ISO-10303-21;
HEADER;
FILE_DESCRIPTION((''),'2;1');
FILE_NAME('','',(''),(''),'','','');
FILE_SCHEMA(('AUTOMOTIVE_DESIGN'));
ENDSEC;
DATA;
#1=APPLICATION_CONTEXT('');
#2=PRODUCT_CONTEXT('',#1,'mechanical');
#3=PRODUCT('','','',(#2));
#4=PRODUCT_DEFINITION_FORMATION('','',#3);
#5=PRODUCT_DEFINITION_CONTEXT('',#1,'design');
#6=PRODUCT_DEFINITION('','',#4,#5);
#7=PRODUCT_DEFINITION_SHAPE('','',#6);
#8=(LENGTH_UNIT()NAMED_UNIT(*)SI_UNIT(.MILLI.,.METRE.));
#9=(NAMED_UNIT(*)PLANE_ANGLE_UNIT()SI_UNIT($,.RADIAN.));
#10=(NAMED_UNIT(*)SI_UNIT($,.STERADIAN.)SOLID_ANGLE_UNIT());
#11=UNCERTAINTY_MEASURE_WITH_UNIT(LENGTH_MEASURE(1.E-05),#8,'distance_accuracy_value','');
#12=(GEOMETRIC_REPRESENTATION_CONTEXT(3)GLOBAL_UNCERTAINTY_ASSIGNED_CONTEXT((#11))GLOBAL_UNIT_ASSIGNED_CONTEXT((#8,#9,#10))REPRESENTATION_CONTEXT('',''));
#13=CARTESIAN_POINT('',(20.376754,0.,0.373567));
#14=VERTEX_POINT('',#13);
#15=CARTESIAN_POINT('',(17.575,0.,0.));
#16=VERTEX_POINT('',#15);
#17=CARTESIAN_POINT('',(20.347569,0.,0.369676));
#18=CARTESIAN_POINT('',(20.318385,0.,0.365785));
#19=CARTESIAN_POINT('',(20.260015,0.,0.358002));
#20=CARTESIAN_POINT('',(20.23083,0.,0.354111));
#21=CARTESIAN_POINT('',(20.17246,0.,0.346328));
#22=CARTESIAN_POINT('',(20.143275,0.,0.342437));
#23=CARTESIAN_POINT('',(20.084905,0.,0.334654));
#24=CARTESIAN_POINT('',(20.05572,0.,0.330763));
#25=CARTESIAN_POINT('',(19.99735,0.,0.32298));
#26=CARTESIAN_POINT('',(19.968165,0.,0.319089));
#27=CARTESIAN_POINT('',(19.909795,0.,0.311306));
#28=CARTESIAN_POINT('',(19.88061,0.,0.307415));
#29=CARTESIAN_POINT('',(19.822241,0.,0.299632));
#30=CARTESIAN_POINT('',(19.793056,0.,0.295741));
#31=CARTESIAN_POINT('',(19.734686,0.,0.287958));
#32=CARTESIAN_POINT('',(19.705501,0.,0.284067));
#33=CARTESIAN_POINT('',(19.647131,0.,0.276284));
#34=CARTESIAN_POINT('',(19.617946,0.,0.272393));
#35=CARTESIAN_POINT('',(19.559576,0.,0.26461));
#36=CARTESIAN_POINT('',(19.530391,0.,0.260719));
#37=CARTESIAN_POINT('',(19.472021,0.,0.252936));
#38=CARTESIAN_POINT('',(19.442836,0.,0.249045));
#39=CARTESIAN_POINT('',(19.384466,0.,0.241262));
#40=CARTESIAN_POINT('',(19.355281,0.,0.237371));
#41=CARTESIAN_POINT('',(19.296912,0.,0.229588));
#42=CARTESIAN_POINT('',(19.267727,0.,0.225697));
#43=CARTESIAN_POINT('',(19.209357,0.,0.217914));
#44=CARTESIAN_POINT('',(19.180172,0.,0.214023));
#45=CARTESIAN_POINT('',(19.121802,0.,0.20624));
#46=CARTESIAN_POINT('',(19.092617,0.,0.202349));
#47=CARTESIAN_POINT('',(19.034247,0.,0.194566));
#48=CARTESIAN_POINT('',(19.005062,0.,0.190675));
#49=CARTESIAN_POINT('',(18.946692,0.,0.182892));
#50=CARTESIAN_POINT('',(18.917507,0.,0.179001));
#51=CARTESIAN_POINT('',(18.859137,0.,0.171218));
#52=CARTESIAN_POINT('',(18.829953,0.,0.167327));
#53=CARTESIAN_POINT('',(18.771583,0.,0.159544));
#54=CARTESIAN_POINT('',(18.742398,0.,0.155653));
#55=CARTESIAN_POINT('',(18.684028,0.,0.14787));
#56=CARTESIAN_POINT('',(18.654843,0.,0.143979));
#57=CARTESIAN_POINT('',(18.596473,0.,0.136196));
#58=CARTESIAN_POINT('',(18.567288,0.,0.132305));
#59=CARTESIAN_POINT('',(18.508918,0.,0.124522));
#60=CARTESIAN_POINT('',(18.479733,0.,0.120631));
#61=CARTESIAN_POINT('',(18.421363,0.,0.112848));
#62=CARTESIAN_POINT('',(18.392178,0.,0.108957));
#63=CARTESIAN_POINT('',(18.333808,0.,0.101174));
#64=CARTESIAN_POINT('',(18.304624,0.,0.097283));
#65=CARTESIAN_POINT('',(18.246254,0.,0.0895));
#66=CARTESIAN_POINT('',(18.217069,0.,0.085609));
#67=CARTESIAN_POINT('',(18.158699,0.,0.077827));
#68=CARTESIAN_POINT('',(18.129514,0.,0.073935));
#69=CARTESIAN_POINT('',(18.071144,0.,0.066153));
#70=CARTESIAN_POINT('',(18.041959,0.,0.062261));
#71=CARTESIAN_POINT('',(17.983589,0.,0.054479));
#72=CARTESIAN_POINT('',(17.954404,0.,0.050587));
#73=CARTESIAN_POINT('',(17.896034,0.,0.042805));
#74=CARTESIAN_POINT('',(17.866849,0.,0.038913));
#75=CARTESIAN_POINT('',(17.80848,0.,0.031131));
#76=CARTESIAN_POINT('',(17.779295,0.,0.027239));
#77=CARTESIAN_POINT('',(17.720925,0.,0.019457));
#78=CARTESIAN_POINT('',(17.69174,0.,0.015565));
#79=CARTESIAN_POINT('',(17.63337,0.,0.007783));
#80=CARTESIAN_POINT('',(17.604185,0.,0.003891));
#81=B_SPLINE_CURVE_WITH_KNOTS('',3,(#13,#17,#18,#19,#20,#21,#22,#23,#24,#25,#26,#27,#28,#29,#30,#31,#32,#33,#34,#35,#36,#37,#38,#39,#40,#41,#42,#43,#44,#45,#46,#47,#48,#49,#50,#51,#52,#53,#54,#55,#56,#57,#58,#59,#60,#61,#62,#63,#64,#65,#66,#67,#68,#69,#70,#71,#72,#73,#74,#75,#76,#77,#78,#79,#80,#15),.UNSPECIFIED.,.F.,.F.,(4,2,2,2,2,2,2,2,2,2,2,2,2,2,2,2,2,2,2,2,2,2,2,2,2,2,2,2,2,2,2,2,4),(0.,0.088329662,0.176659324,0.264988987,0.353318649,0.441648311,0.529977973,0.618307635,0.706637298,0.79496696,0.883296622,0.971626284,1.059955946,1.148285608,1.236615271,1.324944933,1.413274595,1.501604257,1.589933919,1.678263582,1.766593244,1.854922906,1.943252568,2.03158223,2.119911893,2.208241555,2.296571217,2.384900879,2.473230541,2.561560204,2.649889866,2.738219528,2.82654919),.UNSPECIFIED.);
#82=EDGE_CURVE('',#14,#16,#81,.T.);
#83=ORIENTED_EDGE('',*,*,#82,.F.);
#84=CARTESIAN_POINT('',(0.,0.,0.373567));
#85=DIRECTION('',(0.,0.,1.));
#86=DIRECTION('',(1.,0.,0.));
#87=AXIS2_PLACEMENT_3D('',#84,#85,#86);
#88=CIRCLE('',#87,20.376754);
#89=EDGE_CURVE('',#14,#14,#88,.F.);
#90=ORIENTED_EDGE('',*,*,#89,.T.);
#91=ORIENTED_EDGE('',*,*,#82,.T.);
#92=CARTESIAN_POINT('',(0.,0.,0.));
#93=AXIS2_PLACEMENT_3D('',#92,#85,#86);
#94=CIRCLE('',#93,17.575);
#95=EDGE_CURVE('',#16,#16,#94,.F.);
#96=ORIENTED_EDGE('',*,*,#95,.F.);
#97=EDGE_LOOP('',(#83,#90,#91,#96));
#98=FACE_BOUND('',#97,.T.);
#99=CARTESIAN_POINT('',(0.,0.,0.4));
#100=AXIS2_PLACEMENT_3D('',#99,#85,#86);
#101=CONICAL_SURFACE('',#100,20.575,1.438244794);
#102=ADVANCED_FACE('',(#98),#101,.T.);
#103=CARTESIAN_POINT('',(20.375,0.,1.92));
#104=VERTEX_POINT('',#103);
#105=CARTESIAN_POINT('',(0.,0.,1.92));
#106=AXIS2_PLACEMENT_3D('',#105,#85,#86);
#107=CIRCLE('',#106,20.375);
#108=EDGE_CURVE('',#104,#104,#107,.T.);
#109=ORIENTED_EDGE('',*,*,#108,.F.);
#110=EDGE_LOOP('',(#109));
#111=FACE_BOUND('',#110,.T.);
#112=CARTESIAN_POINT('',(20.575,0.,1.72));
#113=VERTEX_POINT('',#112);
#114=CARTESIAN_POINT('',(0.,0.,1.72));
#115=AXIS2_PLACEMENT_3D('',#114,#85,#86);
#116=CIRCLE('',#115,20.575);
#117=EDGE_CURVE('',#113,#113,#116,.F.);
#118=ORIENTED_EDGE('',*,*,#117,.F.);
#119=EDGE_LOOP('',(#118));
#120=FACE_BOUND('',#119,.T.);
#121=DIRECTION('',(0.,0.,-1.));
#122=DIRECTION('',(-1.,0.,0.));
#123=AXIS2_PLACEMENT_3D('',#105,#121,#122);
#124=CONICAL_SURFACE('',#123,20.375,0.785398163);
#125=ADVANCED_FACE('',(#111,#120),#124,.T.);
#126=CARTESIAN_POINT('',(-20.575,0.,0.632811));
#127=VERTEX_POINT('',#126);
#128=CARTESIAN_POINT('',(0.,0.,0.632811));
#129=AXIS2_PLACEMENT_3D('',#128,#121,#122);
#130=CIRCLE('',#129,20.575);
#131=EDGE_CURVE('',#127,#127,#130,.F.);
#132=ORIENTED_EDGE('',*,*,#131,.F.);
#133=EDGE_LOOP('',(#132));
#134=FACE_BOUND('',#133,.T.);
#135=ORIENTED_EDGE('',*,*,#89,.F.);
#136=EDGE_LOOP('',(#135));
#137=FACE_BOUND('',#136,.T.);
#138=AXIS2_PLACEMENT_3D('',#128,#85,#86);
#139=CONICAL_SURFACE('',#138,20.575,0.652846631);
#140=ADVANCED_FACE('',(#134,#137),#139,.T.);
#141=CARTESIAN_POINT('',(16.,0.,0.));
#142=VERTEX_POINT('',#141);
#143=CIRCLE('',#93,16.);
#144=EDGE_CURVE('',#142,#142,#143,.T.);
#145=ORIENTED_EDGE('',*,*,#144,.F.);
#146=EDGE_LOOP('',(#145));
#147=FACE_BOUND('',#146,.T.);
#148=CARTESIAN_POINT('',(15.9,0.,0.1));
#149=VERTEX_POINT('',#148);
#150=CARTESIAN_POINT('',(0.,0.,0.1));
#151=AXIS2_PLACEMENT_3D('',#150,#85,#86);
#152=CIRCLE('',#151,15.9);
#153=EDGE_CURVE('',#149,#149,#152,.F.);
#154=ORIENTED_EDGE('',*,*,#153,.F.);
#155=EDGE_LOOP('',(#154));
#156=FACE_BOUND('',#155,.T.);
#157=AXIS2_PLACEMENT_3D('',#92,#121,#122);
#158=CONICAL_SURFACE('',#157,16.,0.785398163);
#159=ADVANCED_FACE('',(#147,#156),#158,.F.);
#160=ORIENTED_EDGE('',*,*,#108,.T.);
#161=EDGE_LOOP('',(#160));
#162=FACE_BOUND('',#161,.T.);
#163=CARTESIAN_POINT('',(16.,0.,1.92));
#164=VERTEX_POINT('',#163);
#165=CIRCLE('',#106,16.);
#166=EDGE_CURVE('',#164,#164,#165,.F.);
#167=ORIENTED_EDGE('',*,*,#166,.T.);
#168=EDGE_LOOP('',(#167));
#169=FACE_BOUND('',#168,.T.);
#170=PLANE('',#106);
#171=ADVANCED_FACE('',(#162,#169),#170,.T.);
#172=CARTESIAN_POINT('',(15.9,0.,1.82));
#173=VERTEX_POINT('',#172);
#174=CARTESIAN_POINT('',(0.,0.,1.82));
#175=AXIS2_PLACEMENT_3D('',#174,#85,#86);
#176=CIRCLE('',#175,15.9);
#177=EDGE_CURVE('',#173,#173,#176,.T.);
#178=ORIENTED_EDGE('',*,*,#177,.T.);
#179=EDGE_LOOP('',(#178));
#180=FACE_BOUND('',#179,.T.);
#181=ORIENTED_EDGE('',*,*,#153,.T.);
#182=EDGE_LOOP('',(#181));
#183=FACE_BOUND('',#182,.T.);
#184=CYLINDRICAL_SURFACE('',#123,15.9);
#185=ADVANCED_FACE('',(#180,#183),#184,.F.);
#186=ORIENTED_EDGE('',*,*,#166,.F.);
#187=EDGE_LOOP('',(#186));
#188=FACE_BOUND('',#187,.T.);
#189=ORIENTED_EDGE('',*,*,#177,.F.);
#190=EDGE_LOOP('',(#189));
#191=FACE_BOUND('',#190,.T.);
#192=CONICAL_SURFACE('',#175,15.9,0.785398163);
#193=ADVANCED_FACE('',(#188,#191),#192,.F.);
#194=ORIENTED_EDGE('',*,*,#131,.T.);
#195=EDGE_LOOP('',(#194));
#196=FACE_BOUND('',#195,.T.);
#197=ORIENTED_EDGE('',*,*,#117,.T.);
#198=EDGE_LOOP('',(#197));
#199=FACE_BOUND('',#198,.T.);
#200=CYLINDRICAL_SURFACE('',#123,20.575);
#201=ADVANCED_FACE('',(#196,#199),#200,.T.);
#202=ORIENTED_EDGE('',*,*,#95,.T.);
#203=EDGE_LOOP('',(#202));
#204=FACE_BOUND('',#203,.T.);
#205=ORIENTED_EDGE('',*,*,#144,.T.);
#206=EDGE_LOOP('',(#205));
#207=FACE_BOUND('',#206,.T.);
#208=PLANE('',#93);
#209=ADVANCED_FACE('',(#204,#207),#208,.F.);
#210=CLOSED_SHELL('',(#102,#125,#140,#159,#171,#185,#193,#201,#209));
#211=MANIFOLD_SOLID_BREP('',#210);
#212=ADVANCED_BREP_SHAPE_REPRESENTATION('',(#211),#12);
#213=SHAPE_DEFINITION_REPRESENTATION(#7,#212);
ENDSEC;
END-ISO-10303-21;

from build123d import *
from OCP.BRepFilletAPI import BRepFilletAPI_MakeChamfer

# Parameters (mm, degrees)
SKETCH_1_R      = 20.575
SKETCH_1_R_2    = 15.9
EXTRUDE_1_DEPTH = 1.92
CHAMFER_1_SIZE  = 3
CHAMFER_1_SIZE2 = 0.4
CHAMFER_2_SIZE  = 0.2
CHAMFER_2_SIZE2 = 0.232811476
CHAMFER_3_SIZE  = 0.1


with BuildPart() as part:
    # Эскиз1 → Бобышка-Вытянуть1 (new body)
    with BuildSketch(Plane.XY):
        Circle(SKETCH_1_R)
        Circle(SKETCH_1_R_2, mode=Mode.SUBTRACT)
    extrude(amount=EXTRUDE_1_DEPTH)

    # Фаска1
    chamfer_1_edges = [part.edges().sort_by_distance(p)[0] for p in [
        (-20.575, 0, 0),
    ]]
    chamfer_1_side = [part.faces().sort_by_distance(p)[0] for p in [
        (-19.993051119, 0, 0),
    ]]
    chamfer(chamfer_1_edges, length=CHAMFER_1_SIZE, length2=CHAMFER_1_SIZE2, reference=chamfer_1_side[0])

    # Фаска2: one chamfer whose edges measure the first distance from different faces: ONE call of the kernel's chamfer builder (chamfer() names one face for all edges)
    chamfer_2_edges_1 = [part.edges().sort_by_distance(p)[0] for p in [
        (-20.575, 0, 1.92),
    ]]
    chamfer_2_edges_2 = [part.edges().sort_by_distance(p)[0] for p in [
        (-20.575, 0, 0.4),
    ]]
    chamfer_2_side_2 = [part.faces().sort_by_distance(p)[0] for p in [
        (-19.075, 0, 0.2),
    ]]
    chamfer_2 = BRepFilletAPI_MakeChamfer(part.part.solid().wrapped)
    for e in chamfer_2_edges_1:
        chamfer_2.Add(CHAMFER_2_SIZE, e.wrapped)
    for e in chamfer_2_edges_2:
        chamfer_2.Add(CHAMFER_2_SIZE, CHAMFER_2_SIZE2, e.wrapped, chamfer_2_side_2[0].wrapped)  # the first distance lies on this face
    add(Compound.cast(chamfer_2.Shape()), mode=Mode.REPLACE)

    # Фаска3
    chamfer_3_edges = [part.edges().sort_by_distance(p)[0] for p in [
        (-15.9, 0, 0),
        (-15.9, 0, 1.92),
    ]]
    chamfer(chamfer_3_edges, length=CHAMFER_3_SIZE)


solid = part.part
